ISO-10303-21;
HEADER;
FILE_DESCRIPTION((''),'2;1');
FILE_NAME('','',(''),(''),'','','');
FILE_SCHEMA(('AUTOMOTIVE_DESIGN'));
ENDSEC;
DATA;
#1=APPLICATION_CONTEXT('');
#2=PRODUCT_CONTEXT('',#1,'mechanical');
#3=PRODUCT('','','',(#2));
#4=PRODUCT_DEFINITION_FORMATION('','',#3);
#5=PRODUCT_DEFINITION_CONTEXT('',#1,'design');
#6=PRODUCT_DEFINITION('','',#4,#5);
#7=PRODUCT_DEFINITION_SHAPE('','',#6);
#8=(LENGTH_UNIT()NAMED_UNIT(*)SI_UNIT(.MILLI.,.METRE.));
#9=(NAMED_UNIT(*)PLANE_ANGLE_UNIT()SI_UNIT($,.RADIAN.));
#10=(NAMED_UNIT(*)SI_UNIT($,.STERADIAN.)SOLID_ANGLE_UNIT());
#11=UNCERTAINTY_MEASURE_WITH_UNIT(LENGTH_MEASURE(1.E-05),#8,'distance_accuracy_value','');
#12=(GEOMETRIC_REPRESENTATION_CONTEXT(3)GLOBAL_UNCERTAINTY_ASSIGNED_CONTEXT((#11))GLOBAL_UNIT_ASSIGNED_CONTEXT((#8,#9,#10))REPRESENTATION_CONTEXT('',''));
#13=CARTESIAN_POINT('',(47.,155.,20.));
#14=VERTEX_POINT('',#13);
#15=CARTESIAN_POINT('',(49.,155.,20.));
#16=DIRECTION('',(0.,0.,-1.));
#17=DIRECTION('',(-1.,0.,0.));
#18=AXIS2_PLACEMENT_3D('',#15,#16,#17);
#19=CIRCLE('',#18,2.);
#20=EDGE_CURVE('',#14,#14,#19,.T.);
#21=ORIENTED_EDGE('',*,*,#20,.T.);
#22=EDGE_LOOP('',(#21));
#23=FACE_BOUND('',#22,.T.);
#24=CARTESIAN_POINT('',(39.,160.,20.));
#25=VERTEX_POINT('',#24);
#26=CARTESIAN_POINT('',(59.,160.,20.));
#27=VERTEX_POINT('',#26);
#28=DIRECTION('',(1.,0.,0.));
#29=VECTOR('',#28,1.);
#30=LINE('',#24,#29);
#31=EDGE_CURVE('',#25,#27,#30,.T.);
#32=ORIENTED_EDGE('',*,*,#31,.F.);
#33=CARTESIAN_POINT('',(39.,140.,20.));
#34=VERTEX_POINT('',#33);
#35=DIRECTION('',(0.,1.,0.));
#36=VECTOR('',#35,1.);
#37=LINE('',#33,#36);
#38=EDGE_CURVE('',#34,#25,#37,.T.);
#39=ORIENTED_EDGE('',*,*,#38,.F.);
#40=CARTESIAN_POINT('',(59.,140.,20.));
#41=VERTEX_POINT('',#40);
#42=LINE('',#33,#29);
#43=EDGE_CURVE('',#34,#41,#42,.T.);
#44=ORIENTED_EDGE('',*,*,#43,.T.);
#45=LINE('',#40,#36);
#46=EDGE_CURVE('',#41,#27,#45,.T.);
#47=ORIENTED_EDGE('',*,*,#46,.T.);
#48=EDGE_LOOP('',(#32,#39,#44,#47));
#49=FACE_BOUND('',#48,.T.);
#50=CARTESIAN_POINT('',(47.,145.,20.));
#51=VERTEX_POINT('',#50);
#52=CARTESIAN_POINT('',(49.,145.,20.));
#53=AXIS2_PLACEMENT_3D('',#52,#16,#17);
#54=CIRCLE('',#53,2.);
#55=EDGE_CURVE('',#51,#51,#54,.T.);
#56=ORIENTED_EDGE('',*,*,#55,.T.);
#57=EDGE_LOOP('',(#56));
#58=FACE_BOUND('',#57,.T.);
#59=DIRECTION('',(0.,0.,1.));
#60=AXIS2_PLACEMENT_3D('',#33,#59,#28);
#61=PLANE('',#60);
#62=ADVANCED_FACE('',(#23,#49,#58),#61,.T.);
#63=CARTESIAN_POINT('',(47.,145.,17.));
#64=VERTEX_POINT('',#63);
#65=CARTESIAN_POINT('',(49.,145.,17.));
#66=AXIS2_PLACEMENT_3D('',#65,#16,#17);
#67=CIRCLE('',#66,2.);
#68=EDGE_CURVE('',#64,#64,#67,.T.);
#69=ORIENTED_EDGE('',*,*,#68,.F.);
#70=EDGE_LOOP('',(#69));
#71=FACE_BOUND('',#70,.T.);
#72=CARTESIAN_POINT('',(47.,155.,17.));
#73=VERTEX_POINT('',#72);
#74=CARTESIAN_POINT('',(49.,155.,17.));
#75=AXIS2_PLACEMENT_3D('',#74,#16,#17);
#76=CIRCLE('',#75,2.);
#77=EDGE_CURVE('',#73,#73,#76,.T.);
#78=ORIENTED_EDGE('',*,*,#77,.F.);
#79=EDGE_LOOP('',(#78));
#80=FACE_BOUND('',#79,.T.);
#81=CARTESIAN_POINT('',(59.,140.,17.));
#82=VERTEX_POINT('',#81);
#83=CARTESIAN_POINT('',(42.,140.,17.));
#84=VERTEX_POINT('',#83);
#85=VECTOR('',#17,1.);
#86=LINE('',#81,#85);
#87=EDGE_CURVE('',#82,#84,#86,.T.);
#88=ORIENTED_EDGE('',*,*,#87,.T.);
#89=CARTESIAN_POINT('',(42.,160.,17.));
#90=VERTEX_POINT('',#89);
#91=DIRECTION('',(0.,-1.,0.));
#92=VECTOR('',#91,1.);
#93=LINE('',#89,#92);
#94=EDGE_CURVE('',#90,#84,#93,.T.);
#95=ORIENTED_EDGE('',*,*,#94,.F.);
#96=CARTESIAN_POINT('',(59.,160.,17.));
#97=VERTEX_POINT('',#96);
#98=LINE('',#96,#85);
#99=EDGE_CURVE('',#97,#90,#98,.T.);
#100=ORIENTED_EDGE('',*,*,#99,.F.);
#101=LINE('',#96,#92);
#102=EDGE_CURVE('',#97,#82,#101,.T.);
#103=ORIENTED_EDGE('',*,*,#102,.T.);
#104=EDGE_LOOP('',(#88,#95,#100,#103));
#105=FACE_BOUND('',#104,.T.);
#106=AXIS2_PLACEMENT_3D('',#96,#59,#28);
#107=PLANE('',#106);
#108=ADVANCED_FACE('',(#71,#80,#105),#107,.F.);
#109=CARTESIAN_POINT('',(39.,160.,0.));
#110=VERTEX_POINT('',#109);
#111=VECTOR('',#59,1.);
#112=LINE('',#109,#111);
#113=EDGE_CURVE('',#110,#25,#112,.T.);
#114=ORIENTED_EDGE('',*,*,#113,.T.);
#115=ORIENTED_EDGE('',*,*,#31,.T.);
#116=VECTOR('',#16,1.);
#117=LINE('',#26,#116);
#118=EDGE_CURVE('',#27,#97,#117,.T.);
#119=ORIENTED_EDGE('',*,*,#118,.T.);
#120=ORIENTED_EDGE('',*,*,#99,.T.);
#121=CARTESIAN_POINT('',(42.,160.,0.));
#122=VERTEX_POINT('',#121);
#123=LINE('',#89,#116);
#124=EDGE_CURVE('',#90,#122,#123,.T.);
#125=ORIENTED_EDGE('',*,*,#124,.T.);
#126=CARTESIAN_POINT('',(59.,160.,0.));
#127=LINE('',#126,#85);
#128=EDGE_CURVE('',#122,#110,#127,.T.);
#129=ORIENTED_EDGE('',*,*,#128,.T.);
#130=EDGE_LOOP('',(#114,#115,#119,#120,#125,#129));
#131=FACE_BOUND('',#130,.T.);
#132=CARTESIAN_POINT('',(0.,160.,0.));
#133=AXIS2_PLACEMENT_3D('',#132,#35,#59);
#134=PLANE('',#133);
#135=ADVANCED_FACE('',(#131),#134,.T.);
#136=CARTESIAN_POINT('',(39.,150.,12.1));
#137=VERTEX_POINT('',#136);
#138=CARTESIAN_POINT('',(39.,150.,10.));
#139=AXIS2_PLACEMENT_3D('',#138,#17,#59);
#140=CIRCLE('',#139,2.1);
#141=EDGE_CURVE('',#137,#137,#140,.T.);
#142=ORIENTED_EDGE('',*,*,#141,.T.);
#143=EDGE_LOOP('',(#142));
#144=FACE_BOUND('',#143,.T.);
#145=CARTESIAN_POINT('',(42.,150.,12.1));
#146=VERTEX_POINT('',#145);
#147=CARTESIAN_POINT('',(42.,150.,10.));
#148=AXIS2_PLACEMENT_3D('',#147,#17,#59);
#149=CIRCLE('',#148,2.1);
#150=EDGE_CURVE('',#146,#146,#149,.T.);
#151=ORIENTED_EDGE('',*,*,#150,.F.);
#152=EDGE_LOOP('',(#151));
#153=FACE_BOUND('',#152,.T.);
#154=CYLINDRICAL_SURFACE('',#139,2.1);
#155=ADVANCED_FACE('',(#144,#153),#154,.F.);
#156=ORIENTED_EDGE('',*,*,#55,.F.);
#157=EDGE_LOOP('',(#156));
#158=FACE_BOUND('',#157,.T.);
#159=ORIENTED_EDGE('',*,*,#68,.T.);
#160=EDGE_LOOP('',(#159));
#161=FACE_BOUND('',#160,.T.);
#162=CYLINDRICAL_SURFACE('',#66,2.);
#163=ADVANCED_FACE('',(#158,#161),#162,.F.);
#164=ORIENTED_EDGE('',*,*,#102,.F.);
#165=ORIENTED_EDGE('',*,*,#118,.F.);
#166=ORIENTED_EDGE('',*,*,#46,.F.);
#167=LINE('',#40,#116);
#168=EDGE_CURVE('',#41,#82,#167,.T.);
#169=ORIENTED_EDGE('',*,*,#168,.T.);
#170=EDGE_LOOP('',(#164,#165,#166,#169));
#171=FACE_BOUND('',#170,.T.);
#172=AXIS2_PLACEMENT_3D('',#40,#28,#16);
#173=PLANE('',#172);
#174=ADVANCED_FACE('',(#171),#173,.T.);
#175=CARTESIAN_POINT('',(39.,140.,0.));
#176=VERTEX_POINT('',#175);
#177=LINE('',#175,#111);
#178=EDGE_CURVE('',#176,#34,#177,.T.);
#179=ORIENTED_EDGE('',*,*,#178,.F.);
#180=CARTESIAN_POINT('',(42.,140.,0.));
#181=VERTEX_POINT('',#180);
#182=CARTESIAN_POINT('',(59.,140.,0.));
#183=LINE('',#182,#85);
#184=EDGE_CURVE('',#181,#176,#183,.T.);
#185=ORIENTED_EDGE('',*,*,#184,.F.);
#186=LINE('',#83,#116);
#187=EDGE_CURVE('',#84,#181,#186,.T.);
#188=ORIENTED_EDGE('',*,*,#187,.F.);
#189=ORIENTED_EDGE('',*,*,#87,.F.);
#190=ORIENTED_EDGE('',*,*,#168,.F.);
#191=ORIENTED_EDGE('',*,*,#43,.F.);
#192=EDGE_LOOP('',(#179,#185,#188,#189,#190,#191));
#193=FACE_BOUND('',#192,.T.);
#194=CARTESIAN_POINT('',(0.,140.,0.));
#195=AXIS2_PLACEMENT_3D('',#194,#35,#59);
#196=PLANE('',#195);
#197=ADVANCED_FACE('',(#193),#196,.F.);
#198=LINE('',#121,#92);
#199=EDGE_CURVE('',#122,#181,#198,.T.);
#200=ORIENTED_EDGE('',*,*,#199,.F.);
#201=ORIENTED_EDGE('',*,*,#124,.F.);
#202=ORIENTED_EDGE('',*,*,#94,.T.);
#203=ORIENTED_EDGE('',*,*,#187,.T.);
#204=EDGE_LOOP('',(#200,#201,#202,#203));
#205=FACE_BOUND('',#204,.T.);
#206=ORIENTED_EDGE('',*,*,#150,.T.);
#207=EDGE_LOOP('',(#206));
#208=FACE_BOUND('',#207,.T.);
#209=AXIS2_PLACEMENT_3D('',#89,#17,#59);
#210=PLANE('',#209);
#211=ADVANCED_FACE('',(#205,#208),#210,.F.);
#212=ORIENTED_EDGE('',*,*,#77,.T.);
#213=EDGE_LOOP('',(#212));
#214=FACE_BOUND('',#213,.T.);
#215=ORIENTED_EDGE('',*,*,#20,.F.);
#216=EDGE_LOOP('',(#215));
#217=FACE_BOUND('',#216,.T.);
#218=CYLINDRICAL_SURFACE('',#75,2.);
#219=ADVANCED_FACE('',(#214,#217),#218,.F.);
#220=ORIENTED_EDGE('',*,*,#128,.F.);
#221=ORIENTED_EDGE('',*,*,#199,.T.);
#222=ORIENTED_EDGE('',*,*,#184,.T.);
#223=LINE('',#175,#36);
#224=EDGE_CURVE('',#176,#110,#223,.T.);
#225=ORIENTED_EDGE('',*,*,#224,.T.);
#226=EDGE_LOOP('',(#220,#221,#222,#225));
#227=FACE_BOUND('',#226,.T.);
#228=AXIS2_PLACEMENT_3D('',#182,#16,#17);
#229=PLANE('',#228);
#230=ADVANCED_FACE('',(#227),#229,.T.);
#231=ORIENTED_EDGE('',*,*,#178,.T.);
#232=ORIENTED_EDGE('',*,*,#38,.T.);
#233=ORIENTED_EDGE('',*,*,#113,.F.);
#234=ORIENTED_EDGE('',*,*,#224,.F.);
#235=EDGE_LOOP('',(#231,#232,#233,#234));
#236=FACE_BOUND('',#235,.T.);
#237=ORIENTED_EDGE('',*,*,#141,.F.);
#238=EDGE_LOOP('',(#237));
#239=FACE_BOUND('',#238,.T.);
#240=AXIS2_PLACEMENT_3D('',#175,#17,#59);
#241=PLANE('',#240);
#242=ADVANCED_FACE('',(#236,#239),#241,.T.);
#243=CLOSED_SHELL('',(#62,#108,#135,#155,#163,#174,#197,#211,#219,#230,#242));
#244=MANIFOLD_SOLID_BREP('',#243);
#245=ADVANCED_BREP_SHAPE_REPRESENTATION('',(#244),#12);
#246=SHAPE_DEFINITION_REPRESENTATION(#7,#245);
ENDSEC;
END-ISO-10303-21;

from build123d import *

# Parameters (mm, degrees)
SKETCH_1_W                  = 20
SKETCH_1_H                  = 20
EXTRUDE_1_DEPTH             = 20
SKETCH_2_W                  = 17
SKETCH_2_H                  = 17
CUT_EXTRUDE_1_DEPTH         = 66.429351212
HOLE_WIZARD_4_2_4_2_1_D     = 4.2
HOLE_WIZARD_4_2_4_2_1_DEPTH = 20
HOLE_WIZARD_4_0_4_1_D       = 4


with BuildPart() as part:
    # 草图1 → 凸台-拉伸1 (new body)
    with BuildSketch(Plane(origin=(0, 160, 0), x_dir=(1, 0, 0), z_dir=(0, 1, 0))):
        with Locations((49, -10)):
            Rectangle(SKETCH_1_W, SKETCH_1_H)
    extrude(amount=-EXTRUDE_1_DEPTH)

    # 草图2 → 切除-拉伸1 (cut, through all)
    with BuildSketch(Plane.XZ.offset(-140)):
        with Locations((50.5, 8.5)):
            Rectangle(SKETCH_2_W, SKETCH_2_H)
    extrude(amount=-CUT_EXTRUDE_1_DEPTH, mode=Mode.SUBTRACT)

    # Ø4.2 (4.2) 直径孔1
    with Locations(Plane.ZY.offset(-39)):
        with Locations((10, 150)):
            Hole(HOLE_WIZARD_4_2_4_2_1_D / 2, depth=HOLE_WIZARD_4_2_4_2_1_DEPTH)

    # Ø4.0 (4) 直径孔1 (through all)
    with Locations(Plane(origin=(0, 0, 17), x_dir=(-1, 0, 0), z_dir=(0, 0, -1))):
        with Locations((-49, 145), (-49, 155)):
            Hole(HOLE_WIZARD_4_0_4_1_D / 2)


solid = part.part
